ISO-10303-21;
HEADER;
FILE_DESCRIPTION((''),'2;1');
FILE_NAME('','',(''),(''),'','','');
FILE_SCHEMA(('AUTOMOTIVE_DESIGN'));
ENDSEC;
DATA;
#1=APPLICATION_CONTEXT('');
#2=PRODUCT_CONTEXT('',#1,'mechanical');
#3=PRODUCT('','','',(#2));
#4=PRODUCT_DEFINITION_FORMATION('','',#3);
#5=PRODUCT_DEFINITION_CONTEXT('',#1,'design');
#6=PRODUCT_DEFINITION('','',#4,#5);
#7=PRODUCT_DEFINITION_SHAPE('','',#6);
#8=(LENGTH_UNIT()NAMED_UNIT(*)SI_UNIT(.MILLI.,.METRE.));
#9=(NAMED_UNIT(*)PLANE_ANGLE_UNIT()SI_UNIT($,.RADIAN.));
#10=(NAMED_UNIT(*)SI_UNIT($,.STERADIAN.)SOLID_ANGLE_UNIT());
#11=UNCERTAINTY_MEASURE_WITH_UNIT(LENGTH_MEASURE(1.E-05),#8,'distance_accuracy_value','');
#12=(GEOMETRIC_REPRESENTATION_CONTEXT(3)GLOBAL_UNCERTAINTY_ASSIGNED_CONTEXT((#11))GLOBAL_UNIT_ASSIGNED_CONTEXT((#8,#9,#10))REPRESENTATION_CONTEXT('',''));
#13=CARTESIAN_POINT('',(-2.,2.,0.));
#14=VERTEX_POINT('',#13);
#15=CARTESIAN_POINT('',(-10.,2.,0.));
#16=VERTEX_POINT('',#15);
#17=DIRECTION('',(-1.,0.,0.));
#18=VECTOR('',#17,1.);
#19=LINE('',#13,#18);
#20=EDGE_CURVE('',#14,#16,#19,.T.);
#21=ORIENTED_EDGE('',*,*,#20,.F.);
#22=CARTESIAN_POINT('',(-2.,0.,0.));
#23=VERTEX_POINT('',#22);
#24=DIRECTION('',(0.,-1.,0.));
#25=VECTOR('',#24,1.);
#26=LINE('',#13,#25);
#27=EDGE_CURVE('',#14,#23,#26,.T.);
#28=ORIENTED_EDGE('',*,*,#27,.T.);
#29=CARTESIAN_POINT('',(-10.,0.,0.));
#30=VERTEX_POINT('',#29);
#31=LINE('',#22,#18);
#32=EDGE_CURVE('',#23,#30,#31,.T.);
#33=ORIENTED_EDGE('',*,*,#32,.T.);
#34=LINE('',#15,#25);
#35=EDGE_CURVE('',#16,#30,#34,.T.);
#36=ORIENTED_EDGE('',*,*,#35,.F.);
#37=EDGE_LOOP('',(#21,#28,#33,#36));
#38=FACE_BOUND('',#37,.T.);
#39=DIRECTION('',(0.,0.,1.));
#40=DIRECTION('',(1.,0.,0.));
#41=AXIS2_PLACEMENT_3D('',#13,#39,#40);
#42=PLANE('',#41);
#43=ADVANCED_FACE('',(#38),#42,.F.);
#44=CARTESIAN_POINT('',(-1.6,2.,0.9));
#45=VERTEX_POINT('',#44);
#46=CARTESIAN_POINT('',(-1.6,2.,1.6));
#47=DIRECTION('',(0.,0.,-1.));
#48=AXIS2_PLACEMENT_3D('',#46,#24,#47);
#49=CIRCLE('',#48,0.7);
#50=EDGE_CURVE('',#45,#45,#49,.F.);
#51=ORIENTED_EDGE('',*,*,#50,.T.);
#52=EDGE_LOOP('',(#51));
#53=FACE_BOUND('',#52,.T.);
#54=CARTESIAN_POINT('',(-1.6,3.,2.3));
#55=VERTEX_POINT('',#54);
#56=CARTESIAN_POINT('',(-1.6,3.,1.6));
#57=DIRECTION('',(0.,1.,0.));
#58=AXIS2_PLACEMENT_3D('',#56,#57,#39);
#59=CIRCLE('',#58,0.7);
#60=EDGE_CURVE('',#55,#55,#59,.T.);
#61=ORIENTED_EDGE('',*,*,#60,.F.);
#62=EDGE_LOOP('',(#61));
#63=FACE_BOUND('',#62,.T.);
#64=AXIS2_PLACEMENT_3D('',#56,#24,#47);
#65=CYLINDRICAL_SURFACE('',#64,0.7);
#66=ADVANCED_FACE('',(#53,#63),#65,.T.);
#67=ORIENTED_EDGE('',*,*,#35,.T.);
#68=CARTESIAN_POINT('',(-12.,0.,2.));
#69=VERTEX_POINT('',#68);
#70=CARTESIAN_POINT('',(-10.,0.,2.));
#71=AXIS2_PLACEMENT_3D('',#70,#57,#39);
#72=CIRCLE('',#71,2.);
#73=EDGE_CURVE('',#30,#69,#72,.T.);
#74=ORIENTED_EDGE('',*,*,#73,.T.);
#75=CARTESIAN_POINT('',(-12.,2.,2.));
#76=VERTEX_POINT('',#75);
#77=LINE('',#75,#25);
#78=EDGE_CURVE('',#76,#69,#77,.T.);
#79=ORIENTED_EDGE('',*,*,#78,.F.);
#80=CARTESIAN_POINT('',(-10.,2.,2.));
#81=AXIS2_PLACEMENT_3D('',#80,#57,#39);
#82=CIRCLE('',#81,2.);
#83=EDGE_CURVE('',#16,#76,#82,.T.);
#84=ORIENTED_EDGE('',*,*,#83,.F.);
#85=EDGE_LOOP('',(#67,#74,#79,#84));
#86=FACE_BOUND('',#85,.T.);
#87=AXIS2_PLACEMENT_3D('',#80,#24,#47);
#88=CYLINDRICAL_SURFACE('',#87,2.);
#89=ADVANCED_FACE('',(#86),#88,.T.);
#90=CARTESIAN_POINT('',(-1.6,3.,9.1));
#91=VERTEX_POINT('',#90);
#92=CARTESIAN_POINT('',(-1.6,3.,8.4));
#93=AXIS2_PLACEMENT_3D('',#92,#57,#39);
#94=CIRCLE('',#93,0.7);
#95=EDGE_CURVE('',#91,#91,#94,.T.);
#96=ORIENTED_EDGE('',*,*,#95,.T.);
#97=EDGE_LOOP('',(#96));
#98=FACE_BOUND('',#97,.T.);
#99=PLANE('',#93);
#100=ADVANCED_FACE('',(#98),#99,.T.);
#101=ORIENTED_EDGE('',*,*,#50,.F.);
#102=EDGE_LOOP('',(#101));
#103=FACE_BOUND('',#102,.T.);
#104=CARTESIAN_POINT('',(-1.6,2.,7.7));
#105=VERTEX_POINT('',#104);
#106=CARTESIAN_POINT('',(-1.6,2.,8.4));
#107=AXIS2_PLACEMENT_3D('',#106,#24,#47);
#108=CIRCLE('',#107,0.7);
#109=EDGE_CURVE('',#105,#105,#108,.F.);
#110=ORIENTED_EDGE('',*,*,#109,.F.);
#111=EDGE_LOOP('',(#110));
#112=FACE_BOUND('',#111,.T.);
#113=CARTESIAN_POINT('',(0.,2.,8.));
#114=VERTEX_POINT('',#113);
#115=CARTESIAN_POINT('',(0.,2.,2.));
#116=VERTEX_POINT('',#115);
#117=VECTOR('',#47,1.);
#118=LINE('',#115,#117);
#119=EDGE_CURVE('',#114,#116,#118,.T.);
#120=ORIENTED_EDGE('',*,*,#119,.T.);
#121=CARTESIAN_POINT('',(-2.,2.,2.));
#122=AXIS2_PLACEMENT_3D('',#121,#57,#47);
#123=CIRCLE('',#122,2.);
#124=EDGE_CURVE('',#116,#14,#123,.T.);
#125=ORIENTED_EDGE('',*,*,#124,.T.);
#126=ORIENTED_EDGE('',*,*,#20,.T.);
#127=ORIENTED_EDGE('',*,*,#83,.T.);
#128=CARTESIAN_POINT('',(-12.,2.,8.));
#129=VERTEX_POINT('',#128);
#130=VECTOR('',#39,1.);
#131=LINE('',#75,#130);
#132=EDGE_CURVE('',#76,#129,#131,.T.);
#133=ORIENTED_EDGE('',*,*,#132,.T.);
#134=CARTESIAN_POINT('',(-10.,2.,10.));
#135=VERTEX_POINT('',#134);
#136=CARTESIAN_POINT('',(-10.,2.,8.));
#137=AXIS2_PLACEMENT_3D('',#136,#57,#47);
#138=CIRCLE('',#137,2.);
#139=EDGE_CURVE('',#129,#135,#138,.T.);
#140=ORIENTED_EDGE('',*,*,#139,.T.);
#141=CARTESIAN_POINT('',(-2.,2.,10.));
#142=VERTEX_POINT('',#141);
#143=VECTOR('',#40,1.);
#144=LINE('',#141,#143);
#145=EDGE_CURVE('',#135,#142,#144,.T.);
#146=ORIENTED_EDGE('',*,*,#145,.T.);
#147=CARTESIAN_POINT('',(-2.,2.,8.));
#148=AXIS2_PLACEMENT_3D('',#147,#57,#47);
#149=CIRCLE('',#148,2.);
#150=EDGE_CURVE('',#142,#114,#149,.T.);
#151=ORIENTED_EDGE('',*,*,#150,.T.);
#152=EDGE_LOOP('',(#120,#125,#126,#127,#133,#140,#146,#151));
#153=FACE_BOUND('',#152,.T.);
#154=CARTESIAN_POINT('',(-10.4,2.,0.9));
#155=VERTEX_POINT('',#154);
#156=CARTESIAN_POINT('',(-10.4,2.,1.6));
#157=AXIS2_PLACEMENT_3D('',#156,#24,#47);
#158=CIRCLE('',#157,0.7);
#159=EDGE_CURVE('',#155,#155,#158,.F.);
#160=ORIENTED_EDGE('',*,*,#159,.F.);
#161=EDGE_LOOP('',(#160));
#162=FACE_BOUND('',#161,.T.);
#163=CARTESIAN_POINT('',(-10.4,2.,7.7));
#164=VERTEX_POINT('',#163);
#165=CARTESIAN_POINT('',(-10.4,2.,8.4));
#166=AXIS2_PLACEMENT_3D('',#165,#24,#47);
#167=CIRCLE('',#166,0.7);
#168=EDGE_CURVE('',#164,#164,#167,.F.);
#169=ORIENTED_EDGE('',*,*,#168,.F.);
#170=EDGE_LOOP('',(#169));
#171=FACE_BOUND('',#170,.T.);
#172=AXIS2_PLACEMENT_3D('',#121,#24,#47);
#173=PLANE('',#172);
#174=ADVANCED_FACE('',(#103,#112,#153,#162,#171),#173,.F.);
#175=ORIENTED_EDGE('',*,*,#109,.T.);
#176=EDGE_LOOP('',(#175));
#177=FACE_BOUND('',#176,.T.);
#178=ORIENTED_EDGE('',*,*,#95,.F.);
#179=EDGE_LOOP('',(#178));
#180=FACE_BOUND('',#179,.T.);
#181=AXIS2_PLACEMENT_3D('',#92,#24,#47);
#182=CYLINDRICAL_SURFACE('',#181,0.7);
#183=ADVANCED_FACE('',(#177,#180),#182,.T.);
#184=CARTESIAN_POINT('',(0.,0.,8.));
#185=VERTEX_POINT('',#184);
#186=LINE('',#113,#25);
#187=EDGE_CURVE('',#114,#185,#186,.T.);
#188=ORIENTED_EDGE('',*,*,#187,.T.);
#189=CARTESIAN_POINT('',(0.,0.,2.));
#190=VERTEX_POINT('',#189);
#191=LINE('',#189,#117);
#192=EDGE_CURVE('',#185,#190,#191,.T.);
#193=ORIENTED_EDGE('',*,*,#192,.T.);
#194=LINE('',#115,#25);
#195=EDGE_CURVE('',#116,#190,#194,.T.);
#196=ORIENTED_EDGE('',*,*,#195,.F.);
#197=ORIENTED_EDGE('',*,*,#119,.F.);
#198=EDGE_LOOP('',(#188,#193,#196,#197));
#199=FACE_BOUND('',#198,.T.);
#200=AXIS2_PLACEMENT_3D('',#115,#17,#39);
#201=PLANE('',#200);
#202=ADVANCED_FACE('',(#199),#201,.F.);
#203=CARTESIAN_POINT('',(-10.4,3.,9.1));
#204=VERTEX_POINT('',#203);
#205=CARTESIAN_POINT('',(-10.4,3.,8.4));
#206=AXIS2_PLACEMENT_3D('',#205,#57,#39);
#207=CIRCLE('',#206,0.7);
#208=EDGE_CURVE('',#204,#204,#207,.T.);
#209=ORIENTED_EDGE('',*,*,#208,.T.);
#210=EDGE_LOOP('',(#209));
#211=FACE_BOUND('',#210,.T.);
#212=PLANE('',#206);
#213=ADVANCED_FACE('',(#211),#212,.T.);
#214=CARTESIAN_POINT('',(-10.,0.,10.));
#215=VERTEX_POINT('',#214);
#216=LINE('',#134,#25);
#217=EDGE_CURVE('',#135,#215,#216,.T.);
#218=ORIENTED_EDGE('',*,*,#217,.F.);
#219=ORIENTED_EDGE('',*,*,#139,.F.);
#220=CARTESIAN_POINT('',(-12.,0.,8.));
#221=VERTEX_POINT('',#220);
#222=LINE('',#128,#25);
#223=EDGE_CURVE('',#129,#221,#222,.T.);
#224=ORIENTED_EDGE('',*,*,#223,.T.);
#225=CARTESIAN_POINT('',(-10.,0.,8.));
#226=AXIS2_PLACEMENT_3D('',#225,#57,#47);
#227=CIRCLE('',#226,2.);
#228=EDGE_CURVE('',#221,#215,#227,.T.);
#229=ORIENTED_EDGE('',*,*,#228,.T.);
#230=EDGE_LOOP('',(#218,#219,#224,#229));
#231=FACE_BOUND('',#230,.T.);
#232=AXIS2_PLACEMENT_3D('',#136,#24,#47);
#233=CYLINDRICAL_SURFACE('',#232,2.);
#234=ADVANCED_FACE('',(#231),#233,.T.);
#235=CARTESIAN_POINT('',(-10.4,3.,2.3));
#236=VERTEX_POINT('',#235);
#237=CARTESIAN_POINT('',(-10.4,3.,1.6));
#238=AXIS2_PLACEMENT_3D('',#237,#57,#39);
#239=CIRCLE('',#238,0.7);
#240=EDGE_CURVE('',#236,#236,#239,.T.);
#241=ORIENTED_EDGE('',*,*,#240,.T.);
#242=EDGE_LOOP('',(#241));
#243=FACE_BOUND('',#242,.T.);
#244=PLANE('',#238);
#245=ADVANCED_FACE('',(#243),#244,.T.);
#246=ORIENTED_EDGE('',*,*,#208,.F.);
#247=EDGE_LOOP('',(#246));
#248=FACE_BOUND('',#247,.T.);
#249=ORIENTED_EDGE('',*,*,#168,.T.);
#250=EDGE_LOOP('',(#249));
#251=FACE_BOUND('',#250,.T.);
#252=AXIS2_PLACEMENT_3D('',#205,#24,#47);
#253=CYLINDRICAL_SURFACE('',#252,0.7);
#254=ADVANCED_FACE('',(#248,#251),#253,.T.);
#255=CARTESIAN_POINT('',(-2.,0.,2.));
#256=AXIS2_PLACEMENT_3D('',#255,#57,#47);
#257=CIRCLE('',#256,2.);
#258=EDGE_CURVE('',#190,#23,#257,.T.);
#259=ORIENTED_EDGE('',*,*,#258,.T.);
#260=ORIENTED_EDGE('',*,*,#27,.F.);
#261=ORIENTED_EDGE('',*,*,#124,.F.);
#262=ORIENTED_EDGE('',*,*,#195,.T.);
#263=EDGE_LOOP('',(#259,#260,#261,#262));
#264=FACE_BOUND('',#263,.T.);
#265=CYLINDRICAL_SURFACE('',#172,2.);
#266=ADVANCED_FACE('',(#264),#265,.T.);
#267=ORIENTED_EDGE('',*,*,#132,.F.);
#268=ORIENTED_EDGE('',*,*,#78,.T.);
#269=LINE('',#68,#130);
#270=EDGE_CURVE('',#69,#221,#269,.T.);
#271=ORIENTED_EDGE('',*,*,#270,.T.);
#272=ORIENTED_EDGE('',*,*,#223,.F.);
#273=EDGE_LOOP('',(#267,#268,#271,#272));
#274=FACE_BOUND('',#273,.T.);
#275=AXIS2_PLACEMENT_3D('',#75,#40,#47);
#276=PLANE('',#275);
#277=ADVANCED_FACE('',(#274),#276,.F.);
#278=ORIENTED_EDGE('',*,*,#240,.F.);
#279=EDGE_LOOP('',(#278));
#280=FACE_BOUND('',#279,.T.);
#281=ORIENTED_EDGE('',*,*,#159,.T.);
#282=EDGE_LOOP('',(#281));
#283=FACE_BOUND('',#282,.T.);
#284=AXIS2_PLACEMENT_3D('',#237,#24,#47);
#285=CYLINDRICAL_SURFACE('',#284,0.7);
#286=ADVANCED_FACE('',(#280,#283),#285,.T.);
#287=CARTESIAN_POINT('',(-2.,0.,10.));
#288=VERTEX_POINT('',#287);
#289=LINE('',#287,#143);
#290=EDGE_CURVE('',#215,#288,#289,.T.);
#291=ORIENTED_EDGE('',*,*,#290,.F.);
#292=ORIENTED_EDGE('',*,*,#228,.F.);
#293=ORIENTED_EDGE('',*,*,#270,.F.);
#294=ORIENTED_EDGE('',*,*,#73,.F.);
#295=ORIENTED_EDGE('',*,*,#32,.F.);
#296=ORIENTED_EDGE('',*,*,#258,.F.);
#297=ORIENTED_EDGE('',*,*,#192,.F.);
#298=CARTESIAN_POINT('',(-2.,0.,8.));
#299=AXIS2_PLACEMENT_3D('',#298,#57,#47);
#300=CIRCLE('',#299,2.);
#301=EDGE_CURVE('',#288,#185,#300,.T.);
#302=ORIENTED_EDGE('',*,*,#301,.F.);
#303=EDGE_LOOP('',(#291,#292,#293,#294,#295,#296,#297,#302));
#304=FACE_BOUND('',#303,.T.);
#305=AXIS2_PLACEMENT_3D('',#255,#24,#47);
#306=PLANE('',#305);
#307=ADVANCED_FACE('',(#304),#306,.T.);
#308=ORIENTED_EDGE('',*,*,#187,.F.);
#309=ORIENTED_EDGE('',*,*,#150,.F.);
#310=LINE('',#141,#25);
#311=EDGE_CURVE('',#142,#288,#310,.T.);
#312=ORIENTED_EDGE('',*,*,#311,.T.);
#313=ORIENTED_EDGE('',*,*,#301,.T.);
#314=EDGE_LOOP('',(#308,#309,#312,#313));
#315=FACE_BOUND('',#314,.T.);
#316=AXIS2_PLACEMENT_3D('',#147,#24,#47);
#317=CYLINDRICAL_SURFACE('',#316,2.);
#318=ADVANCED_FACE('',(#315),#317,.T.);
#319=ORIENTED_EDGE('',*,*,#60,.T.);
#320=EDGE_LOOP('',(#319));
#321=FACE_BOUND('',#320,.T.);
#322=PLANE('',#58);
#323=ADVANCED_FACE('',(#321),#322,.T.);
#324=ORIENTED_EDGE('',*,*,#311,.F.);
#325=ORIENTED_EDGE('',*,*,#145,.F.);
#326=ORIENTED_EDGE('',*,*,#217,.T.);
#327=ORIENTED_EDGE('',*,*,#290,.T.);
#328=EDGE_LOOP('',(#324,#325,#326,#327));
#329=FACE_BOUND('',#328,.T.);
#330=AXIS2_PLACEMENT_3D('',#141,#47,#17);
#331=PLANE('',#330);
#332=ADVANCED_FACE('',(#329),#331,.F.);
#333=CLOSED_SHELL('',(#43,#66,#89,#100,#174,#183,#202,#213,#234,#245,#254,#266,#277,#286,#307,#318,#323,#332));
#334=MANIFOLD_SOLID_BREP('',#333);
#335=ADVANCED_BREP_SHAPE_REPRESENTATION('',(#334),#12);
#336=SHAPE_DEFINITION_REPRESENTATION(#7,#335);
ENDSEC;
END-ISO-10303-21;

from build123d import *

# Parameters (mm, degrees)
BOSS_EXTRUDE1_DEPTH = 2
SKETCH3_R           = 0.7
BOSS_EXTRUDE3_DEPTH = 1


with BuildPart() as part:
    # Sketch1 → Boss-Extrude1 (new body)
    with BuildSketch(Plane(origin=(0, 0, 0), x_dir=(1, 0, 0), z_dir=(0, 1, 0))):
        with BuildLine():
            Line((-2, 0), (-10, 0))
            ThreePointArc((-10, 0), (-11.414213562, -0.585786438), (-12, -2))
            Line((-12, -2), (-12, -8))
            ThreePointArc((-12, -8), (-11.414213562, -9.414213562), (-10, -10))
            Line((-10, -10), (-2, -10))
            ThreePointArc((-2, -10), (-0.585786438, -9.414213562), (0, -8))
            Line((0, -8), (0, -2))
            ThreePointArc((0, -2), (-0.585786438, -0.585786438), (-2, 0))
        make_face()
    extrude(amount=BOSS_EXTRUDE1_DEPTH)

    # Sketch3 → Boss-Extrude3 (add)
    with BuildSketch(Plane(origin=(0, 2, 0), x_dir=(1, 0, 0), z_dir=(0, 1, 0))):
        with Locations(Location((-10.4, -1.6, 0), (0, 0, 90))):
            Circle(SKETCH3_R)
        with Locations(Location((-1.6, -1.6, 0), (0, 0, 90))):
            Circle(SKETCH3_R)
        with Locations(Location((-1.6, -8.4, 0), (0, 0, 90))):
            Circle(SKETCH3_R)
        with Locations(Location((-10.4, -8.4, 0), (0, 0, 90))):
            Circle(SKETCH3_R)
    extrude(amount=BOSS_EXTRUDE3_DEPTH)


solid = part.part
